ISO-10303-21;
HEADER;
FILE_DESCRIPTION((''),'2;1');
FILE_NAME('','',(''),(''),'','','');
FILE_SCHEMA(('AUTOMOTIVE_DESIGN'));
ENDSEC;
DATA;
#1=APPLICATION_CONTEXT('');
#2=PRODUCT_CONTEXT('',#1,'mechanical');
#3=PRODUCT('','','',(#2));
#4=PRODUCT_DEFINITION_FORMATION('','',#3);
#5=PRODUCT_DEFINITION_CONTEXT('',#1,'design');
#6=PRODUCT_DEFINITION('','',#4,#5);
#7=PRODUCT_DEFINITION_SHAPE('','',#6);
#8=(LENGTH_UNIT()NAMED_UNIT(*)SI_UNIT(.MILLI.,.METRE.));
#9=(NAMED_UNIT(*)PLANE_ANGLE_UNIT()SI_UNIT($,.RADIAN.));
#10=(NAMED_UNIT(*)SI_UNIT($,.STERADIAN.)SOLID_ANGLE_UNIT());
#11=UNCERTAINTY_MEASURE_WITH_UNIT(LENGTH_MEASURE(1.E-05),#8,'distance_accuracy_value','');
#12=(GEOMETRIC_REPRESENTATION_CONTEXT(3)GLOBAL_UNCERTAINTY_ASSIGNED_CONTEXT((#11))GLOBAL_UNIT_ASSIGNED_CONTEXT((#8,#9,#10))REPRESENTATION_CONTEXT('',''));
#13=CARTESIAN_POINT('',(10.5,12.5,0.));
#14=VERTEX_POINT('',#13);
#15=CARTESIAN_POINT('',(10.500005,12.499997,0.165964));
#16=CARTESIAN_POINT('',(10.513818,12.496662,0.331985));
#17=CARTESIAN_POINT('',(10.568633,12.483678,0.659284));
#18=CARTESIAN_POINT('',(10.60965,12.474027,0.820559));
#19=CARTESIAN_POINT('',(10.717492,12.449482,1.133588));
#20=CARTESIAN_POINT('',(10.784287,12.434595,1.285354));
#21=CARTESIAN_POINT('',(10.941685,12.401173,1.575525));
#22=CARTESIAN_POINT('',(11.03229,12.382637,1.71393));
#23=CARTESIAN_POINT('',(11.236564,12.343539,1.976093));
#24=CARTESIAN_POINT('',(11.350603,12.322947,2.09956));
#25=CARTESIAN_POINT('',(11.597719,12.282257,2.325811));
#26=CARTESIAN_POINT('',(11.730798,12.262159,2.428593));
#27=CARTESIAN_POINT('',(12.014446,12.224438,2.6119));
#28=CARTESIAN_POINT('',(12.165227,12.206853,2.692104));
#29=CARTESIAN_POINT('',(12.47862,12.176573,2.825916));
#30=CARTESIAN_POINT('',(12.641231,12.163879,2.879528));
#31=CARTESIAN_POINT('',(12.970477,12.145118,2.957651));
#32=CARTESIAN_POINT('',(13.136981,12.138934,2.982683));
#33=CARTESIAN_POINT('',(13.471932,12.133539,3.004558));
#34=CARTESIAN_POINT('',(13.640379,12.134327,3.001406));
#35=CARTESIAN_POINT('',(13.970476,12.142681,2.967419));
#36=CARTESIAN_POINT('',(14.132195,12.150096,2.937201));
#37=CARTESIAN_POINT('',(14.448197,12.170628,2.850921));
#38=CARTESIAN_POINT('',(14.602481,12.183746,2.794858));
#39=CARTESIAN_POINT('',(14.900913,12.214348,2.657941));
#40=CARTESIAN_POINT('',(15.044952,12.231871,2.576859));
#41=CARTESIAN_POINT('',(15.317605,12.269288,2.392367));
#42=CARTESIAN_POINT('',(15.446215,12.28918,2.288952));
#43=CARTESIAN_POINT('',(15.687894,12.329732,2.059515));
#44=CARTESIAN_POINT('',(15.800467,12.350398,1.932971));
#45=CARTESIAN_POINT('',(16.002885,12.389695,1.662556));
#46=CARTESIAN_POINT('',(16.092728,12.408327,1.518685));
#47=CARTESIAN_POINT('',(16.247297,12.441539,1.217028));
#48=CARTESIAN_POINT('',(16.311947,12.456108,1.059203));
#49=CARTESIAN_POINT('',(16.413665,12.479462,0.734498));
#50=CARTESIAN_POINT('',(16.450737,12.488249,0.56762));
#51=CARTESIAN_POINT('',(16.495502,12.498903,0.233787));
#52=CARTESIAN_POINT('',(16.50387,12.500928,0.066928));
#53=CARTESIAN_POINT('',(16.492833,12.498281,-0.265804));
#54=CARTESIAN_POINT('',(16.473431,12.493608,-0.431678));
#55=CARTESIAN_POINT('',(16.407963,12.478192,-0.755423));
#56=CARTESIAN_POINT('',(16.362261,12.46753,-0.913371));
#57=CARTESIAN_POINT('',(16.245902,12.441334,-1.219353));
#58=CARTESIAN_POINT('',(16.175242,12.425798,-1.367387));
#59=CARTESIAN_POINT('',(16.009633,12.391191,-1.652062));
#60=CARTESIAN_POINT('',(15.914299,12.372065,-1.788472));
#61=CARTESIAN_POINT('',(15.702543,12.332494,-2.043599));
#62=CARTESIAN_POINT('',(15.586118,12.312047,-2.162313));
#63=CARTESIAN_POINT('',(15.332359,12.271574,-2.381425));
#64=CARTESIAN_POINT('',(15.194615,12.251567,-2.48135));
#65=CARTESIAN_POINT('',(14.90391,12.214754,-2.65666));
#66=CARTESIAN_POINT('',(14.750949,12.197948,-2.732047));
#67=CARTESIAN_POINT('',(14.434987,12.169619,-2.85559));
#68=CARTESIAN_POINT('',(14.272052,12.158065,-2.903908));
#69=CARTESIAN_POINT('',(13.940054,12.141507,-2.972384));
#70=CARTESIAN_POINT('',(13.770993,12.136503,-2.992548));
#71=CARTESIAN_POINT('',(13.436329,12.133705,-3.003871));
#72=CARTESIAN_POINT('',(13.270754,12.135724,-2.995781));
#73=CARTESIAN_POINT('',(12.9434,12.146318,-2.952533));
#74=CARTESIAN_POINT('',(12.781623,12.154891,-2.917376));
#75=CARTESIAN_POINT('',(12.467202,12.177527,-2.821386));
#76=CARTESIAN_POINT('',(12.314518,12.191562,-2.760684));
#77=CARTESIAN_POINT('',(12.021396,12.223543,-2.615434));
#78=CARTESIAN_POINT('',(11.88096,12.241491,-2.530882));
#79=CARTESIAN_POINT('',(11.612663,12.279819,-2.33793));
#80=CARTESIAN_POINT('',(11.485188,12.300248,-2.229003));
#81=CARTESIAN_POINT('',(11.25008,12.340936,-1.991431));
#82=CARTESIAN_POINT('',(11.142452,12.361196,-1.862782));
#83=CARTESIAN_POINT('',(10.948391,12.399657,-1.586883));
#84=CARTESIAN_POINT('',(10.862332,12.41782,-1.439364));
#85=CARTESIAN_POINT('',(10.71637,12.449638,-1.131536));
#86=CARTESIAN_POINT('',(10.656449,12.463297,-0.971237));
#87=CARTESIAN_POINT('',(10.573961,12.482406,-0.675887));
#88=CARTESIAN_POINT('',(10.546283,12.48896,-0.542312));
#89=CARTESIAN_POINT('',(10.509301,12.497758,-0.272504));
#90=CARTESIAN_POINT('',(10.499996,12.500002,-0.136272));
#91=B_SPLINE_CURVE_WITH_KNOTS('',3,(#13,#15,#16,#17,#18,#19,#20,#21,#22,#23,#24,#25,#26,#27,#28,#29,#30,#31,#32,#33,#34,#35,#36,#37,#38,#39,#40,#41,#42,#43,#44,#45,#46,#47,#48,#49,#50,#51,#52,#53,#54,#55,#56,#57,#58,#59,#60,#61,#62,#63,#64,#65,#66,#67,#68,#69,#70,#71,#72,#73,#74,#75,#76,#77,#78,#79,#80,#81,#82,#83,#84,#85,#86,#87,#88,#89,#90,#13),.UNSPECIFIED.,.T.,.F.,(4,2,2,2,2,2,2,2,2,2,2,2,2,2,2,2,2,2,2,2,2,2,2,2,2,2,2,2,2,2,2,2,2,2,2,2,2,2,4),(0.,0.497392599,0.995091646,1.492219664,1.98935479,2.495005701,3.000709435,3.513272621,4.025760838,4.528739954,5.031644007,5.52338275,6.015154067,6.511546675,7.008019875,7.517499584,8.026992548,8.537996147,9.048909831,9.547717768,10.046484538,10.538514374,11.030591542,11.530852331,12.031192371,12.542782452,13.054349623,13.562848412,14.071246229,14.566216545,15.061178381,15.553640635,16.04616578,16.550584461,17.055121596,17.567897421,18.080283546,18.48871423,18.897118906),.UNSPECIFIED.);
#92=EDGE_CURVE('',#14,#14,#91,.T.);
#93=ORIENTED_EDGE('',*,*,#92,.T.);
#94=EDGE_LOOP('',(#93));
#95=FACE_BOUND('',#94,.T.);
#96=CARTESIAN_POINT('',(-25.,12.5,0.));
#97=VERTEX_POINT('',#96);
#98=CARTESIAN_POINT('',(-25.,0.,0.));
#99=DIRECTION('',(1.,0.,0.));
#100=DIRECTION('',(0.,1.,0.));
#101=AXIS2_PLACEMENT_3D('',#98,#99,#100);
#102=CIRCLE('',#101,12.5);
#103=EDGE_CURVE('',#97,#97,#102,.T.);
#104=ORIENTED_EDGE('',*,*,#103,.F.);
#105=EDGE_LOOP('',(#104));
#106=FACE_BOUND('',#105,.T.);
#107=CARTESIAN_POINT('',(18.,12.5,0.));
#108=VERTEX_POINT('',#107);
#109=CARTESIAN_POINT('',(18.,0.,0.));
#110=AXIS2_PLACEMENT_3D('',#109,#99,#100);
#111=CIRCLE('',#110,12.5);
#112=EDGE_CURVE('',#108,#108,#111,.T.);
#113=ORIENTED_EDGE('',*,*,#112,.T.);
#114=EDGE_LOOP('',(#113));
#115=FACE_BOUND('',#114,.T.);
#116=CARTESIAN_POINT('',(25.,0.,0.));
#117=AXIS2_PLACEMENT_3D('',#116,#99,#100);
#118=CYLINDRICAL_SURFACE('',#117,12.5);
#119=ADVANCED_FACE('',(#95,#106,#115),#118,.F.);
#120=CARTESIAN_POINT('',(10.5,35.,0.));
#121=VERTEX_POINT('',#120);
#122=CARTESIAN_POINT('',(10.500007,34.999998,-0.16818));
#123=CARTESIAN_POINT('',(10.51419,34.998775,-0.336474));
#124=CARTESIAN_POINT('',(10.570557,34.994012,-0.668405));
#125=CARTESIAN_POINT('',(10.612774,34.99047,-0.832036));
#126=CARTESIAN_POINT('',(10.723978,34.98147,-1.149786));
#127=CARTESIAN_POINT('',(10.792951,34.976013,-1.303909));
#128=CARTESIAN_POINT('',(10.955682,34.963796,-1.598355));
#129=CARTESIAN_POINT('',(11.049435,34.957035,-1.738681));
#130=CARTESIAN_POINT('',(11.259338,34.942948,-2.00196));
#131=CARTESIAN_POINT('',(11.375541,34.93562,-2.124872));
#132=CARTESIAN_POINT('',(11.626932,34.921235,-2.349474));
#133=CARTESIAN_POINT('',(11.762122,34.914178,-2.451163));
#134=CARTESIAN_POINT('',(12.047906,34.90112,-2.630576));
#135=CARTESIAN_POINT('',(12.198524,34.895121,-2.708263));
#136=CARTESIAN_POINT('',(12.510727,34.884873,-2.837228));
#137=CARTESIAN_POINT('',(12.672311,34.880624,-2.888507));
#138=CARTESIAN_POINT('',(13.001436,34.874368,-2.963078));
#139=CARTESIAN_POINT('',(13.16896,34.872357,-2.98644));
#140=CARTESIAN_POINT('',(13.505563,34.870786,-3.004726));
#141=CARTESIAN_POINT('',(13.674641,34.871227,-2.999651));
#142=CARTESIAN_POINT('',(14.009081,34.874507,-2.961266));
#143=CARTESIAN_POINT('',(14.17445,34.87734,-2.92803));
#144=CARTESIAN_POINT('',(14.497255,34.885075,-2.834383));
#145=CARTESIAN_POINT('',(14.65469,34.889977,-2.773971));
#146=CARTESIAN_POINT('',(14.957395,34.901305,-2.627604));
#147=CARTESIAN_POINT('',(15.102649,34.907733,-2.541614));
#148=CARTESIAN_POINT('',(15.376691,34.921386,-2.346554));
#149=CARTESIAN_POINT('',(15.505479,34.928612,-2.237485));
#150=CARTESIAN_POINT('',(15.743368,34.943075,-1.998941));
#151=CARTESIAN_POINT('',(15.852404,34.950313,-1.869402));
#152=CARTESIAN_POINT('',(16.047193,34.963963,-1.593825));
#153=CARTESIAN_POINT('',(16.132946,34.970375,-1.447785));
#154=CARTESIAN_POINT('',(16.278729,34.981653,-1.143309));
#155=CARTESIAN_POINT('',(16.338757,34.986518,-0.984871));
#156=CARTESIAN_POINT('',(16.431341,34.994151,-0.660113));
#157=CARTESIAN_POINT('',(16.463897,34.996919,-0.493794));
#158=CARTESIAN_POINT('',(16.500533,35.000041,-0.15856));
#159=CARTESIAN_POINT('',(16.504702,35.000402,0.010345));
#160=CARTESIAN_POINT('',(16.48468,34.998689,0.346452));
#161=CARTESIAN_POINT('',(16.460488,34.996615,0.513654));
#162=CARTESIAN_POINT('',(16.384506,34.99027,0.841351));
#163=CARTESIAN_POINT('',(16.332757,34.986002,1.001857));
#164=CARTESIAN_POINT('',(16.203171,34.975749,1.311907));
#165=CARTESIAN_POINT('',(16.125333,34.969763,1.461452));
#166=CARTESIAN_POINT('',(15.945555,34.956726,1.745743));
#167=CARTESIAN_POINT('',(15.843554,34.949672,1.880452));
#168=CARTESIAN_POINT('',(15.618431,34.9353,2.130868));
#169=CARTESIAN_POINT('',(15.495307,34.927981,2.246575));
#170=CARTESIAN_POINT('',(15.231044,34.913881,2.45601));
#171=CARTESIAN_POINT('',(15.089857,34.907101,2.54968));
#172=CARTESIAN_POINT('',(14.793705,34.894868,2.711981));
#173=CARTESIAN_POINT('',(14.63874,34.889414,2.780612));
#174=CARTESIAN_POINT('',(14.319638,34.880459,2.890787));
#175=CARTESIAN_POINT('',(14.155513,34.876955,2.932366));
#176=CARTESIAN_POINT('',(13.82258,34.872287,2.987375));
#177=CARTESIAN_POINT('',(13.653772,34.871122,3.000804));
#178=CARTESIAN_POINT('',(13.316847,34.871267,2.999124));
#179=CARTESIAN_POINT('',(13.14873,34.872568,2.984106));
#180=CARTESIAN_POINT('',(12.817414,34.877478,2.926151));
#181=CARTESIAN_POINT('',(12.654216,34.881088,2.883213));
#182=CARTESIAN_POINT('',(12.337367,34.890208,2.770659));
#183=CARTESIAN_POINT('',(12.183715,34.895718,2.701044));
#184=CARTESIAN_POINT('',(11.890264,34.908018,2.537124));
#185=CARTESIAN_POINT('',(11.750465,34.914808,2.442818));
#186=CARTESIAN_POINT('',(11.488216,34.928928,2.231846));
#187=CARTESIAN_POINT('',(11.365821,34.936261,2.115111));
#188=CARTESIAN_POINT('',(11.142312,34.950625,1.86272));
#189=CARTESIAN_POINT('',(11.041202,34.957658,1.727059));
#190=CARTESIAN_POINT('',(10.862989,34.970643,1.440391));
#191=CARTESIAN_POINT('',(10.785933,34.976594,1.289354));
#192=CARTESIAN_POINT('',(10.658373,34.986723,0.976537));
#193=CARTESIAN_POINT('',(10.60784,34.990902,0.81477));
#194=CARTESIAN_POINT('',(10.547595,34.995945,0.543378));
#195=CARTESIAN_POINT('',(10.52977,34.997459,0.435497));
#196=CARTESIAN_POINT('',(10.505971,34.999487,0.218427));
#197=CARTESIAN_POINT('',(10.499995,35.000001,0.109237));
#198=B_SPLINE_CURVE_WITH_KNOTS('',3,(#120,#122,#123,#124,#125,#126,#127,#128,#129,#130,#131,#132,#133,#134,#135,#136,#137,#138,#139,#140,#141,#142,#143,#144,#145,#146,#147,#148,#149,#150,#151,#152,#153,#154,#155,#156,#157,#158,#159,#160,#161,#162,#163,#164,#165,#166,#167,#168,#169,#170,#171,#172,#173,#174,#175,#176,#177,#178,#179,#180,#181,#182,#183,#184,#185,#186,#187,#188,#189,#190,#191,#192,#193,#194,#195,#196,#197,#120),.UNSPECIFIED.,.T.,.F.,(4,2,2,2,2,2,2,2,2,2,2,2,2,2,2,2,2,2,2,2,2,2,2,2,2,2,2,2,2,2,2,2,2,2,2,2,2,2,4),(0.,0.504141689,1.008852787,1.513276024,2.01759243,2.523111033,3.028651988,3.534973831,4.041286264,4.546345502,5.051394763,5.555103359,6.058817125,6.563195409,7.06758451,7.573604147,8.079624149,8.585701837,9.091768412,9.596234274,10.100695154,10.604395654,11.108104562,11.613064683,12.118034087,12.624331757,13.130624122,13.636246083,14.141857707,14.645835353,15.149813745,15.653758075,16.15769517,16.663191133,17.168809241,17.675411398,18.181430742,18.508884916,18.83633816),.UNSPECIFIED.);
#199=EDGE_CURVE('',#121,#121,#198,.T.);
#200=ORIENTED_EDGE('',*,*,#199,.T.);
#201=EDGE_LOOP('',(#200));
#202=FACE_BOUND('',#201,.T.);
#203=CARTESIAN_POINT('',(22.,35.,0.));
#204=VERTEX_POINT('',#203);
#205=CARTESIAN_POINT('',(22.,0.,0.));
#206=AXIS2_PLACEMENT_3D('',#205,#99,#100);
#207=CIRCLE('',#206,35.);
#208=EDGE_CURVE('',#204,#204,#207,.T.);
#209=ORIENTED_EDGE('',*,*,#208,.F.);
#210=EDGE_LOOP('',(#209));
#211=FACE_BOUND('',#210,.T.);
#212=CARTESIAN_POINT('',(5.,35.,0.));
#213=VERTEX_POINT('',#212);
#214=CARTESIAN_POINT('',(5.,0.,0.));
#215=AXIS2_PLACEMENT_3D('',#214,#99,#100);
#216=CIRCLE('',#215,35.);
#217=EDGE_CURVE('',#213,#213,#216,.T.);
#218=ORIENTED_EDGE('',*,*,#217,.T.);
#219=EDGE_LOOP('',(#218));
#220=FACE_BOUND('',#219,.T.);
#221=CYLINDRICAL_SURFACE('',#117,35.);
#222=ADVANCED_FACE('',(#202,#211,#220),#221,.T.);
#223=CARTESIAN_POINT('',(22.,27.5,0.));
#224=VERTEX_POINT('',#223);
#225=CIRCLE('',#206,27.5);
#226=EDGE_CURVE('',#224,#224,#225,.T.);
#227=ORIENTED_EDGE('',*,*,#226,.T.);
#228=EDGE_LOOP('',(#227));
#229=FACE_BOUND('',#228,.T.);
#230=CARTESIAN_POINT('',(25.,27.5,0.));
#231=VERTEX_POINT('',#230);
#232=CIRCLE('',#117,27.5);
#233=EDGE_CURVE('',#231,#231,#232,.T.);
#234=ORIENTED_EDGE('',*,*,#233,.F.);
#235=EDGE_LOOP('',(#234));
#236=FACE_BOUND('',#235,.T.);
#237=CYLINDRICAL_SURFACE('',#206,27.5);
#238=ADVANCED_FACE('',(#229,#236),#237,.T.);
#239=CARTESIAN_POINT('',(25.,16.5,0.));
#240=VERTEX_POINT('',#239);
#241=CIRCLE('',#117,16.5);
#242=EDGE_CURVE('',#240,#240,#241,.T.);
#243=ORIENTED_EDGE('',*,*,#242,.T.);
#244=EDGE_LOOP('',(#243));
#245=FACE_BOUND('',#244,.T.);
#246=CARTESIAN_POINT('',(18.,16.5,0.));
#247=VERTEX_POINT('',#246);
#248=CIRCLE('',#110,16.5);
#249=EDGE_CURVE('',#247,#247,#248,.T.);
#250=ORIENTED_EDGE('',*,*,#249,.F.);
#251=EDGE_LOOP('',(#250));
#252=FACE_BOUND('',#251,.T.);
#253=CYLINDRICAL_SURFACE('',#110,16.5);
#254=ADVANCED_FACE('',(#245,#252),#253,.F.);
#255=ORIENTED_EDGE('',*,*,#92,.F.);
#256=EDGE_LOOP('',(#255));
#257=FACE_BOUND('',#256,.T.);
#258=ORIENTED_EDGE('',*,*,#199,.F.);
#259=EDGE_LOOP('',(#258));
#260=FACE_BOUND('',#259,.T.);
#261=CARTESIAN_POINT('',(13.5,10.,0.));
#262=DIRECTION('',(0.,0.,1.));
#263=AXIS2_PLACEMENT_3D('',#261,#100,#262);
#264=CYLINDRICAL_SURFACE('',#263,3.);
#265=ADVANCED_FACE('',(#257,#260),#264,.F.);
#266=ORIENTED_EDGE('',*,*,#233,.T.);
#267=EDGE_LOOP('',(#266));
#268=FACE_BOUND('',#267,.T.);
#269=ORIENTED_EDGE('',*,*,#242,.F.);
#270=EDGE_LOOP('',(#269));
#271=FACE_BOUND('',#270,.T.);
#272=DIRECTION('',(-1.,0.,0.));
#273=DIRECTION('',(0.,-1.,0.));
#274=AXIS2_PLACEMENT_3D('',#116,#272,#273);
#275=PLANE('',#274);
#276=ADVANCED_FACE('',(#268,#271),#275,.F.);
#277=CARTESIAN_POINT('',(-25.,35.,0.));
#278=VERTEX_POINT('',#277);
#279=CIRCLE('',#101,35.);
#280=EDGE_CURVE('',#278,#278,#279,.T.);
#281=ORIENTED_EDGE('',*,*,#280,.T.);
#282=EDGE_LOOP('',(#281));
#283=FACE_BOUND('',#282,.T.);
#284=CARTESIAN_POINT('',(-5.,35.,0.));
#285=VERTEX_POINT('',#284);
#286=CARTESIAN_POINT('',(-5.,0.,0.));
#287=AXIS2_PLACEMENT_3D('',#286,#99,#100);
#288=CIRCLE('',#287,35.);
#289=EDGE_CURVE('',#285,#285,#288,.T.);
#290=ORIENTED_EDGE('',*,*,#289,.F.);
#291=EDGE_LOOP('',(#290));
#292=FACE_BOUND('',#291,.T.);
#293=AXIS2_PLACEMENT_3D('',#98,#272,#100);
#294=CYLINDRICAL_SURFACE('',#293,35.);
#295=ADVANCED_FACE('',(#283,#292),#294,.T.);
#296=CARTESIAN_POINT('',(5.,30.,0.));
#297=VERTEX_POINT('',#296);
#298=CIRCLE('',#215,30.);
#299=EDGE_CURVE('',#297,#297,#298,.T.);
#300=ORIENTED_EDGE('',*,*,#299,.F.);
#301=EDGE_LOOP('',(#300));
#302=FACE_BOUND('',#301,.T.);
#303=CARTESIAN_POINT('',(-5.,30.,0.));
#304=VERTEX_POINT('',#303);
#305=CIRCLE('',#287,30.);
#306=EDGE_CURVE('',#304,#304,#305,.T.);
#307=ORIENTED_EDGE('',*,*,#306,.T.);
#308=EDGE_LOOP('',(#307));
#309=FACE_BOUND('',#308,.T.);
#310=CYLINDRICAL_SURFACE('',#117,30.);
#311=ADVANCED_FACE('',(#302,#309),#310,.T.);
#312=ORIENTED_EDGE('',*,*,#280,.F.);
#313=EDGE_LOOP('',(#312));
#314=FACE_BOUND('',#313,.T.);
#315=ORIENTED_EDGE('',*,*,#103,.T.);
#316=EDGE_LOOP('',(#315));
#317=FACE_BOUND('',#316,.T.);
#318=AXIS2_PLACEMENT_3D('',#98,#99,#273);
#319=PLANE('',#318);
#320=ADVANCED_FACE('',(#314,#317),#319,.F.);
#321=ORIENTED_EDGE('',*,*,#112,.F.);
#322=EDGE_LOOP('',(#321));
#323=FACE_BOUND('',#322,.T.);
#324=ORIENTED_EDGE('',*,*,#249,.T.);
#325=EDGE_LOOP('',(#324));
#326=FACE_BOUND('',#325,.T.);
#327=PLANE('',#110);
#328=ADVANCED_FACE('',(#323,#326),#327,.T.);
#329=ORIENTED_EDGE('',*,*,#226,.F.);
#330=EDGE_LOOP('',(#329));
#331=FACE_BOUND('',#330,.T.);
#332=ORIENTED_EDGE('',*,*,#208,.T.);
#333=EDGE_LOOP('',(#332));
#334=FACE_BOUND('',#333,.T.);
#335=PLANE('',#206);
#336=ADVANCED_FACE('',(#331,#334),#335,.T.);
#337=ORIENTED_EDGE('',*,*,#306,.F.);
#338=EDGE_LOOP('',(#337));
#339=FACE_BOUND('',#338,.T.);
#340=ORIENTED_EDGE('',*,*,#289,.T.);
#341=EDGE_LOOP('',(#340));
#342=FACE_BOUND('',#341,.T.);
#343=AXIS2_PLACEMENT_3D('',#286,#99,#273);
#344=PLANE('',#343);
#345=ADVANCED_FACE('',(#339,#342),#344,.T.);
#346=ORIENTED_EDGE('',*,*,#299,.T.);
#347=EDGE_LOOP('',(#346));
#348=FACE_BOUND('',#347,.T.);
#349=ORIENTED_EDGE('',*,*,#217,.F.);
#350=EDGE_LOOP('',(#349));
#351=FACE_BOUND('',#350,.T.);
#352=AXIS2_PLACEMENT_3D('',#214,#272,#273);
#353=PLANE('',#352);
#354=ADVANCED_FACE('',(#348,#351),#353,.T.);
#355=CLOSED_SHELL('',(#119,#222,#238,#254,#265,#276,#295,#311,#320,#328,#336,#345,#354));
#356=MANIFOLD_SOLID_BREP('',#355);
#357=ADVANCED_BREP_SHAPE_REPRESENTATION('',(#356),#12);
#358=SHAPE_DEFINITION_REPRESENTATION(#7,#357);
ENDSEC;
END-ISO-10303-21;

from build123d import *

# Parameters (mm, degrees)
SKETCH2_R          = 16.5
SKETCH2_R_2        = 12.5
CUT_EXTRUDE1_DEPTH = 7
SKETCH3_R          = 35
SKETCH3_R_2        = 27.5
CUT_EXTRUDE2_DEPTH = 3
SKETCH4_R          = 3
CUT_EXTRUDE4_DEPTH = 25


with BuildPart() as part:
    # Sketch1 → Revolve1 (revolve)
    with BuildSketch(Plane.XY):
        Polygon((0, 30), (0, 12.5), (25, 12.5), (25, 35), (5, 35), (5, 30), align=None)
    revolve(axis=Axis((25, 0, 0), (-1, 0, 0)))

    # Mirror1: part across plane


with BuildPart() as part_1:
    add(part.part)
    add(part.part.mirror(Plane(origin=(0, 0, 0), x_dir=(0, 0, 1), z_dir=(1, 0, 0))))

    # Sketch2 → Cut-Extrude1 (cut)
    with BuildSketch(Plane(origin=(25, 0, 0), x_dir=(0, 0, -1), z_dir=(1, 0, 0))):
        with Locations(Location((0, 0, 0), (0, 0, 90))):
            Circle(SKETCH2_R)
        with Locations(Location((0, 0, 0), (0, 0, 90))):
            Circle(SKETCH2_R_2, mode=Mode.SUBTRACT)
    extrude(amount=-CUT_EXTRUDE1_DEPTH, mode=Mode.SUBTRACT)

    # Sketch3 → Cut-Extrude2 (cut)
    with BuildSketch(Plane(origin=(25, 0, 0), x_dir=(0, 0, -1), z_dir=(1, 0, 0))):
        with Locations(Location((0, 0, 0), (0, 0, 90))):
            Circle(SKETCH3_R)
        with Locations(Location((0, 0, 0), (0, 0, 90))):
            Circle(SKETCH3_R_2, mode=Mode.SUBTRACT)
    extrude(amount=-CUT_EXTRUDE2_DEPTH, mode=Mode.SUBTRACT)

    # Sketch4 → Cut-Extrude4 (cut)
    with BuildSketch(Plane(origin=(0, 35, 0), x_dir=(1, 0, 0), z_dir=(0, 1, 0))):
        with Locations((13.5, 0)):
            Circle(SKETCH4_R)
    extrude(amount=-CUT_EXTRUDE4_DEPTH, mode=Mode.SUBTRACT)


solid = part_1.part
